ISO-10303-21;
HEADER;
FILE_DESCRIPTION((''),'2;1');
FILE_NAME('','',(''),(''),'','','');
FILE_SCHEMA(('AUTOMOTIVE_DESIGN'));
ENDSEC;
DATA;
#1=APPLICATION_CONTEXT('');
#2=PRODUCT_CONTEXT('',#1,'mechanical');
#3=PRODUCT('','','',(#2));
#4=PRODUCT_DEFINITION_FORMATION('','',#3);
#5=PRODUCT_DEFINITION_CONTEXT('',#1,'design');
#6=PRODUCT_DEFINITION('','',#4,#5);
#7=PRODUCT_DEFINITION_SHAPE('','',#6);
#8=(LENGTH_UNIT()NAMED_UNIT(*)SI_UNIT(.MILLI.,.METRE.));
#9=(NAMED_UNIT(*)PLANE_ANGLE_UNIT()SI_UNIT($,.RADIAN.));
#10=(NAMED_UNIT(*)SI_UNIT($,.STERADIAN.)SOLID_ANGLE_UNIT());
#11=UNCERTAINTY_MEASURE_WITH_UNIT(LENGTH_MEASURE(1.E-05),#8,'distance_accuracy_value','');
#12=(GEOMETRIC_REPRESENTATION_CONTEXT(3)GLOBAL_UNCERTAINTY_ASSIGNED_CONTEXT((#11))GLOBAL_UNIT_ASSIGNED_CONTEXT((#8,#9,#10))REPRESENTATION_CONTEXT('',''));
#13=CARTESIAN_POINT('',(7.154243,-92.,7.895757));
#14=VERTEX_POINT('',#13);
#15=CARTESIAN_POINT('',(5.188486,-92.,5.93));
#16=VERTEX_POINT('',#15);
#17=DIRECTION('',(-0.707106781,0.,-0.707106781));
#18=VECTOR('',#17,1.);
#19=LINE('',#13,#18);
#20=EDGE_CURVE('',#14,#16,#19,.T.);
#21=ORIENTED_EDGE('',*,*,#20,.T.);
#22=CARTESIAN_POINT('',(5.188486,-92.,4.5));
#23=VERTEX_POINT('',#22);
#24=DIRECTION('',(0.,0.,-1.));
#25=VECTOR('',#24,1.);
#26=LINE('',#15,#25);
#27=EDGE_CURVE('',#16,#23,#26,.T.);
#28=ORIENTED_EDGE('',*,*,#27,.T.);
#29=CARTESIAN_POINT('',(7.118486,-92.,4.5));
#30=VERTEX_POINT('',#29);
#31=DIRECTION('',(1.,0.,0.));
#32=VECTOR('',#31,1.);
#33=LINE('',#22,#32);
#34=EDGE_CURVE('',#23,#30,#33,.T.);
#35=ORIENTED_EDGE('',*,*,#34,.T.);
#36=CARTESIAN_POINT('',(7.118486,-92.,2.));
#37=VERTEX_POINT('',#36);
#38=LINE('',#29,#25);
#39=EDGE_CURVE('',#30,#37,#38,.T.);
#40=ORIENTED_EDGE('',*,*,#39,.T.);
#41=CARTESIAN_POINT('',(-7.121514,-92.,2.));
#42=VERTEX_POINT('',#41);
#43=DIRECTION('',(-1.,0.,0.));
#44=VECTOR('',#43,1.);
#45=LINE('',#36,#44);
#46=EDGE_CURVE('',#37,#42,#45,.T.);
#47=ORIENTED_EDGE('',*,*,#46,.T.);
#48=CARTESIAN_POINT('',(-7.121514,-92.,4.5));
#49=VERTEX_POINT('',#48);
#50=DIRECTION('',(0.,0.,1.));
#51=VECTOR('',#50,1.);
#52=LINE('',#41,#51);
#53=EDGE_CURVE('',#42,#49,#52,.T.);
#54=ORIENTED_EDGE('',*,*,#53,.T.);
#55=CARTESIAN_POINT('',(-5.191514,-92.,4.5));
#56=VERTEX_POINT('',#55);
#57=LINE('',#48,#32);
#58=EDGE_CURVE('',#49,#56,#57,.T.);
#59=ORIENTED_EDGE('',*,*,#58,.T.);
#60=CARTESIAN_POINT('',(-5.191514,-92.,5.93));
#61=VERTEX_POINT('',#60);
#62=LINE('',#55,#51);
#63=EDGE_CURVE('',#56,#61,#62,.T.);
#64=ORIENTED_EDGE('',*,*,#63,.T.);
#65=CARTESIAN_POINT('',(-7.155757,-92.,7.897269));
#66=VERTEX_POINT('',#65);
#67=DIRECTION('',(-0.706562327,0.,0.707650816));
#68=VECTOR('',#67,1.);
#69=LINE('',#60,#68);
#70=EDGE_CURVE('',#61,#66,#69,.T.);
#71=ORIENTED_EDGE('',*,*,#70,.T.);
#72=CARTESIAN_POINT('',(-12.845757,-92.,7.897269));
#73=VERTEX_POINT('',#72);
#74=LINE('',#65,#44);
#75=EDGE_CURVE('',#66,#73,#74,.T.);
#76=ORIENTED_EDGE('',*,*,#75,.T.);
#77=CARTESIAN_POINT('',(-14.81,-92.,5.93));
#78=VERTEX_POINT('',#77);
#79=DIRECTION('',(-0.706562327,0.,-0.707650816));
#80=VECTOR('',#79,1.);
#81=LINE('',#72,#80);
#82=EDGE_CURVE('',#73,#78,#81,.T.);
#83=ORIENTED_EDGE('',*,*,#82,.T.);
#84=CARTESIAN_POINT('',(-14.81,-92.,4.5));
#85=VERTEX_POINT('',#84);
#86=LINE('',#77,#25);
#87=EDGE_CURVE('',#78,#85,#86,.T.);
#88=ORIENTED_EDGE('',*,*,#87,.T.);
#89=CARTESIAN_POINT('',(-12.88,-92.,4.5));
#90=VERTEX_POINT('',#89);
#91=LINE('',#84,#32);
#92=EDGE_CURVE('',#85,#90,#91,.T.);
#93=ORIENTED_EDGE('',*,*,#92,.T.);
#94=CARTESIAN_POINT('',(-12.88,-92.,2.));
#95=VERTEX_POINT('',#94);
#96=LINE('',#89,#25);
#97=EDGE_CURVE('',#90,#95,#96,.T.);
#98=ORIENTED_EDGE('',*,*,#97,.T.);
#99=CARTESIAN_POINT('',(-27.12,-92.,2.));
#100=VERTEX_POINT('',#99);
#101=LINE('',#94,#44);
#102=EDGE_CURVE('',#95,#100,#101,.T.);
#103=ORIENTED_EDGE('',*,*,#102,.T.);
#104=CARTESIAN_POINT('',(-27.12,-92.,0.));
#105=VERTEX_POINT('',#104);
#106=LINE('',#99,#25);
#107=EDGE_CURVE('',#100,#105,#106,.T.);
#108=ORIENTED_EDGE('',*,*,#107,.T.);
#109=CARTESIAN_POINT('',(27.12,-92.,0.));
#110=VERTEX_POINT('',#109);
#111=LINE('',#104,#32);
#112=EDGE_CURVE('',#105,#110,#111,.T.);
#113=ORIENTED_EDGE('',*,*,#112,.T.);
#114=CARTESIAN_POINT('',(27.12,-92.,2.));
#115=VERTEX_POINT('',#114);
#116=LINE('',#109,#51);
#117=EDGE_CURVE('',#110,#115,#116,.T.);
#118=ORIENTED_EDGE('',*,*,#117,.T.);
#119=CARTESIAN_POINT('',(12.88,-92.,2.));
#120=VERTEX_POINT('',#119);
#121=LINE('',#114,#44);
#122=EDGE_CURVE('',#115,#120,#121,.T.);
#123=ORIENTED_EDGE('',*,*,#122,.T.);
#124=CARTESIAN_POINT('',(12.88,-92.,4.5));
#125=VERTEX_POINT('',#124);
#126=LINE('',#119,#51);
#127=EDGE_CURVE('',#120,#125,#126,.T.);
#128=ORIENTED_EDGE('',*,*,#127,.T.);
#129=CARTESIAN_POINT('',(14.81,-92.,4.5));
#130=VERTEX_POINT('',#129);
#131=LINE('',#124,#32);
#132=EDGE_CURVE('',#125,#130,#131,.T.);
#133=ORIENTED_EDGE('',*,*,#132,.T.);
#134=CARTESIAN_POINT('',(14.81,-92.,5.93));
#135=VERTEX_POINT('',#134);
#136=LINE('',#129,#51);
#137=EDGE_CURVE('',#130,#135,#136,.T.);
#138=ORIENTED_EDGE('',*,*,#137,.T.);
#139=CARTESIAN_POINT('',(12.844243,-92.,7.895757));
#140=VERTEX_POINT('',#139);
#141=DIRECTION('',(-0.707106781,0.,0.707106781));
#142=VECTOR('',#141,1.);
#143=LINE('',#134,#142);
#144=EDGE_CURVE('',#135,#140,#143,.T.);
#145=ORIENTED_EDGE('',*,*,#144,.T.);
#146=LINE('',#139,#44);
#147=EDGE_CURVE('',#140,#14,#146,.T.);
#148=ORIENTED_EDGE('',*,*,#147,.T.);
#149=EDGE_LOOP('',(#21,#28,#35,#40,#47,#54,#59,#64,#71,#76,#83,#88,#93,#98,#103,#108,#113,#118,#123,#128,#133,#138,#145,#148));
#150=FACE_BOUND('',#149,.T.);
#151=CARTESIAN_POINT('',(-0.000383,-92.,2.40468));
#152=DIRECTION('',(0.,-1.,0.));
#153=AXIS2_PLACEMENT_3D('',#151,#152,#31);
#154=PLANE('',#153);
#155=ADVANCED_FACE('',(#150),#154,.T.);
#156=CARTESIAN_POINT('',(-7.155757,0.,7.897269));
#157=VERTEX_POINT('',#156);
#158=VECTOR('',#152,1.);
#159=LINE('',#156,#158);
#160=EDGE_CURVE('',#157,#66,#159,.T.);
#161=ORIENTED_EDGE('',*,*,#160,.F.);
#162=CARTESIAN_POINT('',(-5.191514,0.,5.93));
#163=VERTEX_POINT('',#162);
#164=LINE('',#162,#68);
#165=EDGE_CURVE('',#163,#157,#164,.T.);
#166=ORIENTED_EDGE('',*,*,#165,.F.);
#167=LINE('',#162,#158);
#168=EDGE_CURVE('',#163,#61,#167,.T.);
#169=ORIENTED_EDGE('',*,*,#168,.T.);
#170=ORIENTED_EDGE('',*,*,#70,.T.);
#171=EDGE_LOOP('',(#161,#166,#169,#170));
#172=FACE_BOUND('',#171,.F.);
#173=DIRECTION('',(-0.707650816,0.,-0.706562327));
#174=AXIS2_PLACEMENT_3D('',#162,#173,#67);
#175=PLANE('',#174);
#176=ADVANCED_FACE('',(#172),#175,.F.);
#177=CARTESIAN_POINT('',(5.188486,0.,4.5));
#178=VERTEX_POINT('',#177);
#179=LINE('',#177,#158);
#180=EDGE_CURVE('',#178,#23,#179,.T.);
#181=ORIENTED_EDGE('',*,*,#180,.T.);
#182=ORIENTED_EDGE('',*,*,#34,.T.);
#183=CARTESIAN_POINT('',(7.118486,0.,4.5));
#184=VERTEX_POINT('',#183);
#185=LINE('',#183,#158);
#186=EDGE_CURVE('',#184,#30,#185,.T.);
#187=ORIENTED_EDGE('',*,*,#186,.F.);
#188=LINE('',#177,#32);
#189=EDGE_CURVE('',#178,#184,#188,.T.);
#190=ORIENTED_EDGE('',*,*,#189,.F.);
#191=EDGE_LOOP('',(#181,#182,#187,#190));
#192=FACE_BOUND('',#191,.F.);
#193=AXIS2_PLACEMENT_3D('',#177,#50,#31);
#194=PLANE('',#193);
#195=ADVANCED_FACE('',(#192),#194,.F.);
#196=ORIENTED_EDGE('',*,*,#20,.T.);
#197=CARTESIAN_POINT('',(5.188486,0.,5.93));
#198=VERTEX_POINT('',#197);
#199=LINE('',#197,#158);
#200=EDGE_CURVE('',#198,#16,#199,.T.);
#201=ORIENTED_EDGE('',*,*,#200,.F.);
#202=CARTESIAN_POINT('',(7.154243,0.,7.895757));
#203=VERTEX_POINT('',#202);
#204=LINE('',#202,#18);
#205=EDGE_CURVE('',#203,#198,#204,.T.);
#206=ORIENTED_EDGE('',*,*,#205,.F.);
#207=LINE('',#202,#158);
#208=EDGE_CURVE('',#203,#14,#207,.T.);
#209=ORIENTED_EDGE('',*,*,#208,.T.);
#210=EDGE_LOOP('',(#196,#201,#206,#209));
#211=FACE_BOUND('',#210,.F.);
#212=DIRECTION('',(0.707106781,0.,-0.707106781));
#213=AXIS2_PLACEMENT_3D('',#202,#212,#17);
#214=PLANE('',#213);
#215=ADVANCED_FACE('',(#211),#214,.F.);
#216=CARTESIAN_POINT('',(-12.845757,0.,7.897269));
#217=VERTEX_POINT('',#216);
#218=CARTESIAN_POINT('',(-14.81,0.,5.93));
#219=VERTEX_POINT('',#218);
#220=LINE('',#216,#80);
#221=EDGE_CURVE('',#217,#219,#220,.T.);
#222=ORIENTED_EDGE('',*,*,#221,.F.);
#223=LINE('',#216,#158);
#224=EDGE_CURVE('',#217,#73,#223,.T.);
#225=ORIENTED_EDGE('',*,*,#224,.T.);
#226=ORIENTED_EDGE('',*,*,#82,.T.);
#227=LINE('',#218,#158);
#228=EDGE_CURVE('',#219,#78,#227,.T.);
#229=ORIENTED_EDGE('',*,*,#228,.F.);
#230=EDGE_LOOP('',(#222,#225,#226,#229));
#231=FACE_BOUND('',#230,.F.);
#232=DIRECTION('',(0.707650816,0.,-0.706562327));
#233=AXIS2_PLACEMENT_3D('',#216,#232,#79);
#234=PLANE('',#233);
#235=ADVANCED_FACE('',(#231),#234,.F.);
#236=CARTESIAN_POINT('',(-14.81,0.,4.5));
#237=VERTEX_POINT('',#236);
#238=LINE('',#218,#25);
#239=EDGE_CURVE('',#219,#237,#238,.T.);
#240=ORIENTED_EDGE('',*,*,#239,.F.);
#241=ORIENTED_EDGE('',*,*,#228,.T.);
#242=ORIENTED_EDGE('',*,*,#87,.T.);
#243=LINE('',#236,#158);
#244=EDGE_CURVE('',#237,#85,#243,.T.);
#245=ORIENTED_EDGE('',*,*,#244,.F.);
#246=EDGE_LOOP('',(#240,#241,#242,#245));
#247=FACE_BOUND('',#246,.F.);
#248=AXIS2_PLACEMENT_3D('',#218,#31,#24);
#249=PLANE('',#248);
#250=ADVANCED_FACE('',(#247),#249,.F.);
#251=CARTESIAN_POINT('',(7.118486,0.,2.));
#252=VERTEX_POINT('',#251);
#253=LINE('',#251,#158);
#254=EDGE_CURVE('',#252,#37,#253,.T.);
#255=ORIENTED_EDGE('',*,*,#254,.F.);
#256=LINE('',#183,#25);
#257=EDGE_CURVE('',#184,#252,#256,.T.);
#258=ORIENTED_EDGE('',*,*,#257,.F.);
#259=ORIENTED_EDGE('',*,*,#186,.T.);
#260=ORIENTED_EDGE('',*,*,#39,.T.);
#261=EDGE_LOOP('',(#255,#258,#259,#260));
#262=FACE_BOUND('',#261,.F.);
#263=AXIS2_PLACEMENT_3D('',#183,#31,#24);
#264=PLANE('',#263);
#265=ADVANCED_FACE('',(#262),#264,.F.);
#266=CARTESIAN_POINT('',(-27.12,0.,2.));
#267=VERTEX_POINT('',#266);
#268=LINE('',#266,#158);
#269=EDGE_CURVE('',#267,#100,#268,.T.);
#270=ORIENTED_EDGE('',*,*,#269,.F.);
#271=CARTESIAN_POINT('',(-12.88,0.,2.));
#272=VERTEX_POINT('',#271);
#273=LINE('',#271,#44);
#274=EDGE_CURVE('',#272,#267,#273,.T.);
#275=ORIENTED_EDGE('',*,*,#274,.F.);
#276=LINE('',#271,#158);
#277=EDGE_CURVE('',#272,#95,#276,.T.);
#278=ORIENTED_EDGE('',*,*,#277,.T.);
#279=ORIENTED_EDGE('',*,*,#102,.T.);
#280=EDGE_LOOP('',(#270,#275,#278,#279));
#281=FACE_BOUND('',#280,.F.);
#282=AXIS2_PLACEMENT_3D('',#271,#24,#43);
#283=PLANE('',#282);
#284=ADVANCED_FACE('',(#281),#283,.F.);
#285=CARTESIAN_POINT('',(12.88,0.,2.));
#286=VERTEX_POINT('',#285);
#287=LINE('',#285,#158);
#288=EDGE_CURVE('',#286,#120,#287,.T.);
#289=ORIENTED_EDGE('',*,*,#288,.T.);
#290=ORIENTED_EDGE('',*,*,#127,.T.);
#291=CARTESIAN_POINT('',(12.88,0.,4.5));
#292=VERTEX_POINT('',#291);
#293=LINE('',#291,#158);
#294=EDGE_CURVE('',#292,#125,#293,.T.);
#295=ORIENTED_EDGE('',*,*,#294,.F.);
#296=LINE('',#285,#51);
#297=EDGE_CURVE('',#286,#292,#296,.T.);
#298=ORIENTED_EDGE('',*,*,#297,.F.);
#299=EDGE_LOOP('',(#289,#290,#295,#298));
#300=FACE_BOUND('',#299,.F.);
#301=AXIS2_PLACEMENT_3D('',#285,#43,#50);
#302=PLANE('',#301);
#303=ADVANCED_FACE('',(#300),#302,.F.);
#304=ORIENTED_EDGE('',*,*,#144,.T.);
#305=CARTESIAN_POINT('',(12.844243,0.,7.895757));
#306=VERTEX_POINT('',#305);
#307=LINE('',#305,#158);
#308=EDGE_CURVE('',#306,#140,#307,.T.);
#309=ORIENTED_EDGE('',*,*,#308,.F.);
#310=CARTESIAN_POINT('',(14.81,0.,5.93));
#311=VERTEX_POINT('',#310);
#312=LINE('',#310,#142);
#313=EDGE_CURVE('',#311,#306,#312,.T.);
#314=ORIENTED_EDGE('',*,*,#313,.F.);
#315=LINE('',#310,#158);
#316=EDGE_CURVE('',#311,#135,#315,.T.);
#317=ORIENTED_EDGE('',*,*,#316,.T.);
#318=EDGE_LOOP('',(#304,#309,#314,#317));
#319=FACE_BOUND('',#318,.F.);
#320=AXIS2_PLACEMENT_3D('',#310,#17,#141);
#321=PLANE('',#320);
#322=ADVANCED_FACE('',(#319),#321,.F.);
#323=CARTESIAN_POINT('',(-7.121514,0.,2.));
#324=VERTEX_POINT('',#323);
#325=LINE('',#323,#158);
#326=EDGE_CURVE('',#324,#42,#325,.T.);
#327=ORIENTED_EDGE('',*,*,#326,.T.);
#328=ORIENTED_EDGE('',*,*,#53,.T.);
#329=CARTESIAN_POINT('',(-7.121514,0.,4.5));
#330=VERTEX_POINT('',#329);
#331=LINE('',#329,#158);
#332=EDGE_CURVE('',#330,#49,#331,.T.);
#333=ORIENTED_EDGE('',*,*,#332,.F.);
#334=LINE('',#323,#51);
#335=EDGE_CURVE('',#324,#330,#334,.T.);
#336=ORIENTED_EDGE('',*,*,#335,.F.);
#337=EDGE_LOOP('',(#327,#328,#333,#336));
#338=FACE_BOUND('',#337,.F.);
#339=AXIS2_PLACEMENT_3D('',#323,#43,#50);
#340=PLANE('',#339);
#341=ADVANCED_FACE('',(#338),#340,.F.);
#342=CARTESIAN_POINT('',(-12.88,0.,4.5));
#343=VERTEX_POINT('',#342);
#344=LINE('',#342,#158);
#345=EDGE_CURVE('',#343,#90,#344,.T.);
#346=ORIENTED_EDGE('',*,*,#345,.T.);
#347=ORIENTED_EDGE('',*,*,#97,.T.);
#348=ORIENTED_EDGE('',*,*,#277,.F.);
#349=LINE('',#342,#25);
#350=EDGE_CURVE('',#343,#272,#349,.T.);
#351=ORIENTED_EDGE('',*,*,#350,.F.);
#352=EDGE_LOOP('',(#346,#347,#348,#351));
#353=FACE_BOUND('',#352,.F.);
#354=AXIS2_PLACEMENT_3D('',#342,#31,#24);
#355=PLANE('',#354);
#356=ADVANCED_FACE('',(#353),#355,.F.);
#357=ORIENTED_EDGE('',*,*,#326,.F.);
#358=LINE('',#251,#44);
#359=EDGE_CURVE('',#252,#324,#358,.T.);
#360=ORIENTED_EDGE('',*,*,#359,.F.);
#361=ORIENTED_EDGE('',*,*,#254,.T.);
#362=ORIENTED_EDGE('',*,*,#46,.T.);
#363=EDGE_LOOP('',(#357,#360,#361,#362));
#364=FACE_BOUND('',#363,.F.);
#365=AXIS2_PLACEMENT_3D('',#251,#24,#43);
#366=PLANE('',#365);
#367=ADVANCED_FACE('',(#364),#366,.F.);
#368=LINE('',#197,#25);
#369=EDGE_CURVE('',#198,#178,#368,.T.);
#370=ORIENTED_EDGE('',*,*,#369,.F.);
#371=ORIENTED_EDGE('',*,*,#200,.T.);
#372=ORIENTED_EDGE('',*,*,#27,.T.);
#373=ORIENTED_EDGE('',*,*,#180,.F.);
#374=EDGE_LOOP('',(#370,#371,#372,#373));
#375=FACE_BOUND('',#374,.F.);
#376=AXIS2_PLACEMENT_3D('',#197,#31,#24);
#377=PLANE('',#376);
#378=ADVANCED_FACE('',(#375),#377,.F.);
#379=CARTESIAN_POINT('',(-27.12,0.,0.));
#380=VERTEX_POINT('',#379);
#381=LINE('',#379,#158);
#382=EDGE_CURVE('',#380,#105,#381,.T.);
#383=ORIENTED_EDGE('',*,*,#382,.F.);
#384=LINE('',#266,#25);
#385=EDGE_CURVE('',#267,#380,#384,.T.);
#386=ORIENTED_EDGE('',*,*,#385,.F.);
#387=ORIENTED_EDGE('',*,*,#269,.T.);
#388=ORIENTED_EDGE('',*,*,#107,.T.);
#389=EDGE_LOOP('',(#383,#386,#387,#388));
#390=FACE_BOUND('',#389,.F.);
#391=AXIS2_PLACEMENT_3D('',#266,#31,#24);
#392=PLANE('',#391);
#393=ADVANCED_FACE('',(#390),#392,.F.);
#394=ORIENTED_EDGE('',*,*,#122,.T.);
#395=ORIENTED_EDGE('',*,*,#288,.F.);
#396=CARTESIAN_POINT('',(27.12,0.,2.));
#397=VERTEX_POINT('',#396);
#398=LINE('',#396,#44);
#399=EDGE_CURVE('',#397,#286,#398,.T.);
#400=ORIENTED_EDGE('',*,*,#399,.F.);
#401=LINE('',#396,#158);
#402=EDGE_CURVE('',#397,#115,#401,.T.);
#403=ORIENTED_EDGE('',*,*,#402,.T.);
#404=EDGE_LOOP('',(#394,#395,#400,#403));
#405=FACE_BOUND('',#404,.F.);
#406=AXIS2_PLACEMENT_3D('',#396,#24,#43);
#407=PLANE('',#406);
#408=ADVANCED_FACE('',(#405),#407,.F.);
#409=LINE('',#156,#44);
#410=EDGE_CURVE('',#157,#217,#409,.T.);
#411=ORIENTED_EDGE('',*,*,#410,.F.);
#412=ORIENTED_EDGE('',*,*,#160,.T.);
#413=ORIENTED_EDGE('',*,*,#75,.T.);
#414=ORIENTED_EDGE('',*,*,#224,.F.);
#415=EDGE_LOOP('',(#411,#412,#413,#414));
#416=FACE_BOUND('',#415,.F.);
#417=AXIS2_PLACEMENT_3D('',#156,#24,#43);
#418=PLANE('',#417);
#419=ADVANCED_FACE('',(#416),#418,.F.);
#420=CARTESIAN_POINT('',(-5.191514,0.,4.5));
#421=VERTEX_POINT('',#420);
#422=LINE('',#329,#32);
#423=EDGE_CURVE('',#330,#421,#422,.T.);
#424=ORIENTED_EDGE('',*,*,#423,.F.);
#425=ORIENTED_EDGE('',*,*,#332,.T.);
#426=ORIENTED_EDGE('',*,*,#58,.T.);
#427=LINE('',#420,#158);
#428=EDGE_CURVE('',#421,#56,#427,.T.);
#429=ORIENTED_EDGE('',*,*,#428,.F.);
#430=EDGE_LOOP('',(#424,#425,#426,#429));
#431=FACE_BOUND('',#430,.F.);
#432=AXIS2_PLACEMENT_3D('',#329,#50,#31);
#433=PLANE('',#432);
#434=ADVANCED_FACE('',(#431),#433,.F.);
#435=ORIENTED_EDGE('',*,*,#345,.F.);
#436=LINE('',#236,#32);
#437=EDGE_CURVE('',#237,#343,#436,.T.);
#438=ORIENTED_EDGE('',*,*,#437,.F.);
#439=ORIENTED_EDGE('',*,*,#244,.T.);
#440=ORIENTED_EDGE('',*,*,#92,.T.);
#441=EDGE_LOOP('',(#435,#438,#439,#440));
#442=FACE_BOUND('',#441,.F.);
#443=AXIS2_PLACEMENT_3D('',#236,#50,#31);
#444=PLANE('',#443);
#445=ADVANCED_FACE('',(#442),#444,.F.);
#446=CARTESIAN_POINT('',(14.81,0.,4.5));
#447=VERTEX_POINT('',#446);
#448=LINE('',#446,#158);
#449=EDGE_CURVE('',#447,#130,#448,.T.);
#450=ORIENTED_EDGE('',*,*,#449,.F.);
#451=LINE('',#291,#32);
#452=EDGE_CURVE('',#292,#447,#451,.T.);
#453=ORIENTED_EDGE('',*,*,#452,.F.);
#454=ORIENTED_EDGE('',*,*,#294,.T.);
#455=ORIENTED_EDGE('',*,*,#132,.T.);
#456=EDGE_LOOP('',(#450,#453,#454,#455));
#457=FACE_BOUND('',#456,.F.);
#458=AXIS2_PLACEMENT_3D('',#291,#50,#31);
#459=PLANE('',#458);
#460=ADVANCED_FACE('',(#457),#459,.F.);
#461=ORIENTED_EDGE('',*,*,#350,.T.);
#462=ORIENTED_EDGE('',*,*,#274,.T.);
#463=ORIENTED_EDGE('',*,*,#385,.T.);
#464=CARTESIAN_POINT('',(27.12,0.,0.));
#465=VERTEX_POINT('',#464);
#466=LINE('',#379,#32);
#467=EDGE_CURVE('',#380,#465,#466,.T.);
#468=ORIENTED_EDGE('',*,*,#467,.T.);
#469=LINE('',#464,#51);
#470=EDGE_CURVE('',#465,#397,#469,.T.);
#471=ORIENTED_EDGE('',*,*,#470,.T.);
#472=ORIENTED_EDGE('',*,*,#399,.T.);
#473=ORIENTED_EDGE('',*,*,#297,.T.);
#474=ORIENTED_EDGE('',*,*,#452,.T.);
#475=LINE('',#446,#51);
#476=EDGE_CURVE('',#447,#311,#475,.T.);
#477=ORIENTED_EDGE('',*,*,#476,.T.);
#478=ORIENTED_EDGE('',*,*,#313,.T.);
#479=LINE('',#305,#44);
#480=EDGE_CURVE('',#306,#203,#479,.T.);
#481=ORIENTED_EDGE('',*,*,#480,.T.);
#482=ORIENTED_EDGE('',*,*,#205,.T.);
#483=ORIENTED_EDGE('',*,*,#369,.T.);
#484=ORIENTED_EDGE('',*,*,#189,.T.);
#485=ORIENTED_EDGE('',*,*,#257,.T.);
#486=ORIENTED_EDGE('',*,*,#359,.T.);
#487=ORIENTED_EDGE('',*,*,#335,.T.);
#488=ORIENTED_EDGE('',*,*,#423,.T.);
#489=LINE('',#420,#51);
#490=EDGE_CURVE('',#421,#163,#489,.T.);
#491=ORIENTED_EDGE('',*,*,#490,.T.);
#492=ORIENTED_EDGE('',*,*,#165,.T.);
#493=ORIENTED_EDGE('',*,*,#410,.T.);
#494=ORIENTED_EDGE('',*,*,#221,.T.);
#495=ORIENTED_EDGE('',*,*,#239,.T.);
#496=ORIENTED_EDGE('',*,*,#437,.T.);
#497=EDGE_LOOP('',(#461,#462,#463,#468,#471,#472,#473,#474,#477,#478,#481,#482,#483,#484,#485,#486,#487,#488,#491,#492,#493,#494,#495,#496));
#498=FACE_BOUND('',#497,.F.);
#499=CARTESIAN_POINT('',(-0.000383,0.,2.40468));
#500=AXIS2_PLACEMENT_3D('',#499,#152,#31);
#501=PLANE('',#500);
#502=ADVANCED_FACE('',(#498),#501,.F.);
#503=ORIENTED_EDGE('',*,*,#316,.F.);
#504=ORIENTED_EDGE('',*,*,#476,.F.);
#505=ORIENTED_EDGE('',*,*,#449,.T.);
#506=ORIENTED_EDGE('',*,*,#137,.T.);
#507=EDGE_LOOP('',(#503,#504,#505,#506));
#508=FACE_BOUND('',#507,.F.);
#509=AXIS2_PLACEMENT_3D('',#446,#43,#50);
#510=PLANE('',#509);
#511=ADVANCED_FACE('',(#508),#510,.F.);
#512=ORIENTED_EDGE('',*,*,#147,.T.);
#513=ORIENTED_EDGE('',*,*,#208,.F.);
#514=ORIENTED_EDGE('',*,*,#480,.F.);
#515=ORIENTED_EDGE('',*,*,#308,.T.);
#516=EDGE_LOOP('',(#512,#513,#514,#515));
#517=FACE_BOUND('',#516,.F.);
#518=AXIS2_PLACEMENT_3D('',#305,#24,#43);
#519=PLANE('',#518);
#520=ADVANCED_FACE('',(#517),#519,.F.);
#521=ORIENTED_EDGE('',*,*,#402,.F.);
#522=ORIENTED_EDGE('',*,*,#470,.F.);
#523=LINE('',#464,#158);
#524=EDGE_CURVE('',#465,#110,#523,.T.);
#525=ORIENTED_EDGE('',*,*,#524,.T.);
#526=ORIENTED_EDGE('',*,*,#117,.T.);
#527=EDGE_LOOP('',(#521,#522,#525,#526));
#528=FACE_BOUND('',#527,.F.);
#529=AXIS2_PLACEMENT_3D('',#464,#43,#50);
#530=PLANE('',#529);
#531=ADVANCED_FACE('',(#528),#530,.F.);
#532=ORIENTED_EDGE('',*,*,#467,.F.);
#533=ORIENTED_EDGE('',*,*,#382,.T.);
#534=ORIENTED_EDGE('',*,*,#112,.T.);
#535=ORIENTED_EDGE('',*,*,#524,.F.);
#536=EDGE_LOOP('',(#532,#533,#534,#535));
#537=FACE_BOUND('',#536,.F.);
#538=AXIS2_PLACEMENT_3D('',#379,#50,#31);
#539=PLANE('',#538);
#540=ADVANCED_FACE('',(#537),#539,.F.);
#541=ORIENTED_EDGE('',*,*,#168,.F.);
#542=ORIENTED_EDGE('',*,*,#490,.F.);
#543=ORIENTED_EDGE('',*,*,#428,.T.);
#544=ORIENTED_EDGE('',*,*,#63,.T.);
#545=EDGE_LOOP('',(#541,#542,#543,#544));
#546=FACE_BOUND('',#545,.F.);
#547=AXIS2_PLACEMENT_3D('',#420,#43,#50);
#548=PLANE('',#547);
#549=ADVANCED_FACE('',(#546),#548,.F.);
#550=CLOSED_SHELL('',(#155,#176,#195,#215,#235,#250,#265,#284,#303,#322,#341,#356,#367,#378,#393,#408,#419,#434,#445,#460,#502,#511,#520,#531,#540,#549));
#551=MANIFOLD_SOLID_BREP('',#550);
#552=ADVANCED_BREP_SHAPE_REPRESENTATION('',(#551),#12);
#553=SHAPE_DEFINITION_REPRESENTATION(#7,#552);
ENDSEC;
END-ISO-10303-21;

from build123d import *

# Parameters (mm, degrees)
PAD_DEPTH = 92


with BuildPart() as part:
    # Sketch001 → Pad (new body)
    with BuildSketch(Plane.XZ):
        Polygon((-27.12, 0), (27.12, 0), (27.12, 2), (12.88, 2), (12.88, 4.5), (14.81, 4.5), (14.81, 5.93), (12.844243, 7.895757), (7.154243, 7.895757), (5.188486, 5.93), (5.188486, 4.5), (7.118486, 4.5), (7.118486, 2), (-7.121514, 2), (-7.121514, 4.5), (-5.191514, 4.5), (-5.191514, 5.93), (-7.155757, 7.897269), (-12.845757, 7.897269), (-14.81, 5.93), (-14.81, 4.5), (-12.88, 4.5), (-12.88, 2), (-27.12, 2), align=None)
    extrude(amount=PAD_DEPTH)


solid = part.part
